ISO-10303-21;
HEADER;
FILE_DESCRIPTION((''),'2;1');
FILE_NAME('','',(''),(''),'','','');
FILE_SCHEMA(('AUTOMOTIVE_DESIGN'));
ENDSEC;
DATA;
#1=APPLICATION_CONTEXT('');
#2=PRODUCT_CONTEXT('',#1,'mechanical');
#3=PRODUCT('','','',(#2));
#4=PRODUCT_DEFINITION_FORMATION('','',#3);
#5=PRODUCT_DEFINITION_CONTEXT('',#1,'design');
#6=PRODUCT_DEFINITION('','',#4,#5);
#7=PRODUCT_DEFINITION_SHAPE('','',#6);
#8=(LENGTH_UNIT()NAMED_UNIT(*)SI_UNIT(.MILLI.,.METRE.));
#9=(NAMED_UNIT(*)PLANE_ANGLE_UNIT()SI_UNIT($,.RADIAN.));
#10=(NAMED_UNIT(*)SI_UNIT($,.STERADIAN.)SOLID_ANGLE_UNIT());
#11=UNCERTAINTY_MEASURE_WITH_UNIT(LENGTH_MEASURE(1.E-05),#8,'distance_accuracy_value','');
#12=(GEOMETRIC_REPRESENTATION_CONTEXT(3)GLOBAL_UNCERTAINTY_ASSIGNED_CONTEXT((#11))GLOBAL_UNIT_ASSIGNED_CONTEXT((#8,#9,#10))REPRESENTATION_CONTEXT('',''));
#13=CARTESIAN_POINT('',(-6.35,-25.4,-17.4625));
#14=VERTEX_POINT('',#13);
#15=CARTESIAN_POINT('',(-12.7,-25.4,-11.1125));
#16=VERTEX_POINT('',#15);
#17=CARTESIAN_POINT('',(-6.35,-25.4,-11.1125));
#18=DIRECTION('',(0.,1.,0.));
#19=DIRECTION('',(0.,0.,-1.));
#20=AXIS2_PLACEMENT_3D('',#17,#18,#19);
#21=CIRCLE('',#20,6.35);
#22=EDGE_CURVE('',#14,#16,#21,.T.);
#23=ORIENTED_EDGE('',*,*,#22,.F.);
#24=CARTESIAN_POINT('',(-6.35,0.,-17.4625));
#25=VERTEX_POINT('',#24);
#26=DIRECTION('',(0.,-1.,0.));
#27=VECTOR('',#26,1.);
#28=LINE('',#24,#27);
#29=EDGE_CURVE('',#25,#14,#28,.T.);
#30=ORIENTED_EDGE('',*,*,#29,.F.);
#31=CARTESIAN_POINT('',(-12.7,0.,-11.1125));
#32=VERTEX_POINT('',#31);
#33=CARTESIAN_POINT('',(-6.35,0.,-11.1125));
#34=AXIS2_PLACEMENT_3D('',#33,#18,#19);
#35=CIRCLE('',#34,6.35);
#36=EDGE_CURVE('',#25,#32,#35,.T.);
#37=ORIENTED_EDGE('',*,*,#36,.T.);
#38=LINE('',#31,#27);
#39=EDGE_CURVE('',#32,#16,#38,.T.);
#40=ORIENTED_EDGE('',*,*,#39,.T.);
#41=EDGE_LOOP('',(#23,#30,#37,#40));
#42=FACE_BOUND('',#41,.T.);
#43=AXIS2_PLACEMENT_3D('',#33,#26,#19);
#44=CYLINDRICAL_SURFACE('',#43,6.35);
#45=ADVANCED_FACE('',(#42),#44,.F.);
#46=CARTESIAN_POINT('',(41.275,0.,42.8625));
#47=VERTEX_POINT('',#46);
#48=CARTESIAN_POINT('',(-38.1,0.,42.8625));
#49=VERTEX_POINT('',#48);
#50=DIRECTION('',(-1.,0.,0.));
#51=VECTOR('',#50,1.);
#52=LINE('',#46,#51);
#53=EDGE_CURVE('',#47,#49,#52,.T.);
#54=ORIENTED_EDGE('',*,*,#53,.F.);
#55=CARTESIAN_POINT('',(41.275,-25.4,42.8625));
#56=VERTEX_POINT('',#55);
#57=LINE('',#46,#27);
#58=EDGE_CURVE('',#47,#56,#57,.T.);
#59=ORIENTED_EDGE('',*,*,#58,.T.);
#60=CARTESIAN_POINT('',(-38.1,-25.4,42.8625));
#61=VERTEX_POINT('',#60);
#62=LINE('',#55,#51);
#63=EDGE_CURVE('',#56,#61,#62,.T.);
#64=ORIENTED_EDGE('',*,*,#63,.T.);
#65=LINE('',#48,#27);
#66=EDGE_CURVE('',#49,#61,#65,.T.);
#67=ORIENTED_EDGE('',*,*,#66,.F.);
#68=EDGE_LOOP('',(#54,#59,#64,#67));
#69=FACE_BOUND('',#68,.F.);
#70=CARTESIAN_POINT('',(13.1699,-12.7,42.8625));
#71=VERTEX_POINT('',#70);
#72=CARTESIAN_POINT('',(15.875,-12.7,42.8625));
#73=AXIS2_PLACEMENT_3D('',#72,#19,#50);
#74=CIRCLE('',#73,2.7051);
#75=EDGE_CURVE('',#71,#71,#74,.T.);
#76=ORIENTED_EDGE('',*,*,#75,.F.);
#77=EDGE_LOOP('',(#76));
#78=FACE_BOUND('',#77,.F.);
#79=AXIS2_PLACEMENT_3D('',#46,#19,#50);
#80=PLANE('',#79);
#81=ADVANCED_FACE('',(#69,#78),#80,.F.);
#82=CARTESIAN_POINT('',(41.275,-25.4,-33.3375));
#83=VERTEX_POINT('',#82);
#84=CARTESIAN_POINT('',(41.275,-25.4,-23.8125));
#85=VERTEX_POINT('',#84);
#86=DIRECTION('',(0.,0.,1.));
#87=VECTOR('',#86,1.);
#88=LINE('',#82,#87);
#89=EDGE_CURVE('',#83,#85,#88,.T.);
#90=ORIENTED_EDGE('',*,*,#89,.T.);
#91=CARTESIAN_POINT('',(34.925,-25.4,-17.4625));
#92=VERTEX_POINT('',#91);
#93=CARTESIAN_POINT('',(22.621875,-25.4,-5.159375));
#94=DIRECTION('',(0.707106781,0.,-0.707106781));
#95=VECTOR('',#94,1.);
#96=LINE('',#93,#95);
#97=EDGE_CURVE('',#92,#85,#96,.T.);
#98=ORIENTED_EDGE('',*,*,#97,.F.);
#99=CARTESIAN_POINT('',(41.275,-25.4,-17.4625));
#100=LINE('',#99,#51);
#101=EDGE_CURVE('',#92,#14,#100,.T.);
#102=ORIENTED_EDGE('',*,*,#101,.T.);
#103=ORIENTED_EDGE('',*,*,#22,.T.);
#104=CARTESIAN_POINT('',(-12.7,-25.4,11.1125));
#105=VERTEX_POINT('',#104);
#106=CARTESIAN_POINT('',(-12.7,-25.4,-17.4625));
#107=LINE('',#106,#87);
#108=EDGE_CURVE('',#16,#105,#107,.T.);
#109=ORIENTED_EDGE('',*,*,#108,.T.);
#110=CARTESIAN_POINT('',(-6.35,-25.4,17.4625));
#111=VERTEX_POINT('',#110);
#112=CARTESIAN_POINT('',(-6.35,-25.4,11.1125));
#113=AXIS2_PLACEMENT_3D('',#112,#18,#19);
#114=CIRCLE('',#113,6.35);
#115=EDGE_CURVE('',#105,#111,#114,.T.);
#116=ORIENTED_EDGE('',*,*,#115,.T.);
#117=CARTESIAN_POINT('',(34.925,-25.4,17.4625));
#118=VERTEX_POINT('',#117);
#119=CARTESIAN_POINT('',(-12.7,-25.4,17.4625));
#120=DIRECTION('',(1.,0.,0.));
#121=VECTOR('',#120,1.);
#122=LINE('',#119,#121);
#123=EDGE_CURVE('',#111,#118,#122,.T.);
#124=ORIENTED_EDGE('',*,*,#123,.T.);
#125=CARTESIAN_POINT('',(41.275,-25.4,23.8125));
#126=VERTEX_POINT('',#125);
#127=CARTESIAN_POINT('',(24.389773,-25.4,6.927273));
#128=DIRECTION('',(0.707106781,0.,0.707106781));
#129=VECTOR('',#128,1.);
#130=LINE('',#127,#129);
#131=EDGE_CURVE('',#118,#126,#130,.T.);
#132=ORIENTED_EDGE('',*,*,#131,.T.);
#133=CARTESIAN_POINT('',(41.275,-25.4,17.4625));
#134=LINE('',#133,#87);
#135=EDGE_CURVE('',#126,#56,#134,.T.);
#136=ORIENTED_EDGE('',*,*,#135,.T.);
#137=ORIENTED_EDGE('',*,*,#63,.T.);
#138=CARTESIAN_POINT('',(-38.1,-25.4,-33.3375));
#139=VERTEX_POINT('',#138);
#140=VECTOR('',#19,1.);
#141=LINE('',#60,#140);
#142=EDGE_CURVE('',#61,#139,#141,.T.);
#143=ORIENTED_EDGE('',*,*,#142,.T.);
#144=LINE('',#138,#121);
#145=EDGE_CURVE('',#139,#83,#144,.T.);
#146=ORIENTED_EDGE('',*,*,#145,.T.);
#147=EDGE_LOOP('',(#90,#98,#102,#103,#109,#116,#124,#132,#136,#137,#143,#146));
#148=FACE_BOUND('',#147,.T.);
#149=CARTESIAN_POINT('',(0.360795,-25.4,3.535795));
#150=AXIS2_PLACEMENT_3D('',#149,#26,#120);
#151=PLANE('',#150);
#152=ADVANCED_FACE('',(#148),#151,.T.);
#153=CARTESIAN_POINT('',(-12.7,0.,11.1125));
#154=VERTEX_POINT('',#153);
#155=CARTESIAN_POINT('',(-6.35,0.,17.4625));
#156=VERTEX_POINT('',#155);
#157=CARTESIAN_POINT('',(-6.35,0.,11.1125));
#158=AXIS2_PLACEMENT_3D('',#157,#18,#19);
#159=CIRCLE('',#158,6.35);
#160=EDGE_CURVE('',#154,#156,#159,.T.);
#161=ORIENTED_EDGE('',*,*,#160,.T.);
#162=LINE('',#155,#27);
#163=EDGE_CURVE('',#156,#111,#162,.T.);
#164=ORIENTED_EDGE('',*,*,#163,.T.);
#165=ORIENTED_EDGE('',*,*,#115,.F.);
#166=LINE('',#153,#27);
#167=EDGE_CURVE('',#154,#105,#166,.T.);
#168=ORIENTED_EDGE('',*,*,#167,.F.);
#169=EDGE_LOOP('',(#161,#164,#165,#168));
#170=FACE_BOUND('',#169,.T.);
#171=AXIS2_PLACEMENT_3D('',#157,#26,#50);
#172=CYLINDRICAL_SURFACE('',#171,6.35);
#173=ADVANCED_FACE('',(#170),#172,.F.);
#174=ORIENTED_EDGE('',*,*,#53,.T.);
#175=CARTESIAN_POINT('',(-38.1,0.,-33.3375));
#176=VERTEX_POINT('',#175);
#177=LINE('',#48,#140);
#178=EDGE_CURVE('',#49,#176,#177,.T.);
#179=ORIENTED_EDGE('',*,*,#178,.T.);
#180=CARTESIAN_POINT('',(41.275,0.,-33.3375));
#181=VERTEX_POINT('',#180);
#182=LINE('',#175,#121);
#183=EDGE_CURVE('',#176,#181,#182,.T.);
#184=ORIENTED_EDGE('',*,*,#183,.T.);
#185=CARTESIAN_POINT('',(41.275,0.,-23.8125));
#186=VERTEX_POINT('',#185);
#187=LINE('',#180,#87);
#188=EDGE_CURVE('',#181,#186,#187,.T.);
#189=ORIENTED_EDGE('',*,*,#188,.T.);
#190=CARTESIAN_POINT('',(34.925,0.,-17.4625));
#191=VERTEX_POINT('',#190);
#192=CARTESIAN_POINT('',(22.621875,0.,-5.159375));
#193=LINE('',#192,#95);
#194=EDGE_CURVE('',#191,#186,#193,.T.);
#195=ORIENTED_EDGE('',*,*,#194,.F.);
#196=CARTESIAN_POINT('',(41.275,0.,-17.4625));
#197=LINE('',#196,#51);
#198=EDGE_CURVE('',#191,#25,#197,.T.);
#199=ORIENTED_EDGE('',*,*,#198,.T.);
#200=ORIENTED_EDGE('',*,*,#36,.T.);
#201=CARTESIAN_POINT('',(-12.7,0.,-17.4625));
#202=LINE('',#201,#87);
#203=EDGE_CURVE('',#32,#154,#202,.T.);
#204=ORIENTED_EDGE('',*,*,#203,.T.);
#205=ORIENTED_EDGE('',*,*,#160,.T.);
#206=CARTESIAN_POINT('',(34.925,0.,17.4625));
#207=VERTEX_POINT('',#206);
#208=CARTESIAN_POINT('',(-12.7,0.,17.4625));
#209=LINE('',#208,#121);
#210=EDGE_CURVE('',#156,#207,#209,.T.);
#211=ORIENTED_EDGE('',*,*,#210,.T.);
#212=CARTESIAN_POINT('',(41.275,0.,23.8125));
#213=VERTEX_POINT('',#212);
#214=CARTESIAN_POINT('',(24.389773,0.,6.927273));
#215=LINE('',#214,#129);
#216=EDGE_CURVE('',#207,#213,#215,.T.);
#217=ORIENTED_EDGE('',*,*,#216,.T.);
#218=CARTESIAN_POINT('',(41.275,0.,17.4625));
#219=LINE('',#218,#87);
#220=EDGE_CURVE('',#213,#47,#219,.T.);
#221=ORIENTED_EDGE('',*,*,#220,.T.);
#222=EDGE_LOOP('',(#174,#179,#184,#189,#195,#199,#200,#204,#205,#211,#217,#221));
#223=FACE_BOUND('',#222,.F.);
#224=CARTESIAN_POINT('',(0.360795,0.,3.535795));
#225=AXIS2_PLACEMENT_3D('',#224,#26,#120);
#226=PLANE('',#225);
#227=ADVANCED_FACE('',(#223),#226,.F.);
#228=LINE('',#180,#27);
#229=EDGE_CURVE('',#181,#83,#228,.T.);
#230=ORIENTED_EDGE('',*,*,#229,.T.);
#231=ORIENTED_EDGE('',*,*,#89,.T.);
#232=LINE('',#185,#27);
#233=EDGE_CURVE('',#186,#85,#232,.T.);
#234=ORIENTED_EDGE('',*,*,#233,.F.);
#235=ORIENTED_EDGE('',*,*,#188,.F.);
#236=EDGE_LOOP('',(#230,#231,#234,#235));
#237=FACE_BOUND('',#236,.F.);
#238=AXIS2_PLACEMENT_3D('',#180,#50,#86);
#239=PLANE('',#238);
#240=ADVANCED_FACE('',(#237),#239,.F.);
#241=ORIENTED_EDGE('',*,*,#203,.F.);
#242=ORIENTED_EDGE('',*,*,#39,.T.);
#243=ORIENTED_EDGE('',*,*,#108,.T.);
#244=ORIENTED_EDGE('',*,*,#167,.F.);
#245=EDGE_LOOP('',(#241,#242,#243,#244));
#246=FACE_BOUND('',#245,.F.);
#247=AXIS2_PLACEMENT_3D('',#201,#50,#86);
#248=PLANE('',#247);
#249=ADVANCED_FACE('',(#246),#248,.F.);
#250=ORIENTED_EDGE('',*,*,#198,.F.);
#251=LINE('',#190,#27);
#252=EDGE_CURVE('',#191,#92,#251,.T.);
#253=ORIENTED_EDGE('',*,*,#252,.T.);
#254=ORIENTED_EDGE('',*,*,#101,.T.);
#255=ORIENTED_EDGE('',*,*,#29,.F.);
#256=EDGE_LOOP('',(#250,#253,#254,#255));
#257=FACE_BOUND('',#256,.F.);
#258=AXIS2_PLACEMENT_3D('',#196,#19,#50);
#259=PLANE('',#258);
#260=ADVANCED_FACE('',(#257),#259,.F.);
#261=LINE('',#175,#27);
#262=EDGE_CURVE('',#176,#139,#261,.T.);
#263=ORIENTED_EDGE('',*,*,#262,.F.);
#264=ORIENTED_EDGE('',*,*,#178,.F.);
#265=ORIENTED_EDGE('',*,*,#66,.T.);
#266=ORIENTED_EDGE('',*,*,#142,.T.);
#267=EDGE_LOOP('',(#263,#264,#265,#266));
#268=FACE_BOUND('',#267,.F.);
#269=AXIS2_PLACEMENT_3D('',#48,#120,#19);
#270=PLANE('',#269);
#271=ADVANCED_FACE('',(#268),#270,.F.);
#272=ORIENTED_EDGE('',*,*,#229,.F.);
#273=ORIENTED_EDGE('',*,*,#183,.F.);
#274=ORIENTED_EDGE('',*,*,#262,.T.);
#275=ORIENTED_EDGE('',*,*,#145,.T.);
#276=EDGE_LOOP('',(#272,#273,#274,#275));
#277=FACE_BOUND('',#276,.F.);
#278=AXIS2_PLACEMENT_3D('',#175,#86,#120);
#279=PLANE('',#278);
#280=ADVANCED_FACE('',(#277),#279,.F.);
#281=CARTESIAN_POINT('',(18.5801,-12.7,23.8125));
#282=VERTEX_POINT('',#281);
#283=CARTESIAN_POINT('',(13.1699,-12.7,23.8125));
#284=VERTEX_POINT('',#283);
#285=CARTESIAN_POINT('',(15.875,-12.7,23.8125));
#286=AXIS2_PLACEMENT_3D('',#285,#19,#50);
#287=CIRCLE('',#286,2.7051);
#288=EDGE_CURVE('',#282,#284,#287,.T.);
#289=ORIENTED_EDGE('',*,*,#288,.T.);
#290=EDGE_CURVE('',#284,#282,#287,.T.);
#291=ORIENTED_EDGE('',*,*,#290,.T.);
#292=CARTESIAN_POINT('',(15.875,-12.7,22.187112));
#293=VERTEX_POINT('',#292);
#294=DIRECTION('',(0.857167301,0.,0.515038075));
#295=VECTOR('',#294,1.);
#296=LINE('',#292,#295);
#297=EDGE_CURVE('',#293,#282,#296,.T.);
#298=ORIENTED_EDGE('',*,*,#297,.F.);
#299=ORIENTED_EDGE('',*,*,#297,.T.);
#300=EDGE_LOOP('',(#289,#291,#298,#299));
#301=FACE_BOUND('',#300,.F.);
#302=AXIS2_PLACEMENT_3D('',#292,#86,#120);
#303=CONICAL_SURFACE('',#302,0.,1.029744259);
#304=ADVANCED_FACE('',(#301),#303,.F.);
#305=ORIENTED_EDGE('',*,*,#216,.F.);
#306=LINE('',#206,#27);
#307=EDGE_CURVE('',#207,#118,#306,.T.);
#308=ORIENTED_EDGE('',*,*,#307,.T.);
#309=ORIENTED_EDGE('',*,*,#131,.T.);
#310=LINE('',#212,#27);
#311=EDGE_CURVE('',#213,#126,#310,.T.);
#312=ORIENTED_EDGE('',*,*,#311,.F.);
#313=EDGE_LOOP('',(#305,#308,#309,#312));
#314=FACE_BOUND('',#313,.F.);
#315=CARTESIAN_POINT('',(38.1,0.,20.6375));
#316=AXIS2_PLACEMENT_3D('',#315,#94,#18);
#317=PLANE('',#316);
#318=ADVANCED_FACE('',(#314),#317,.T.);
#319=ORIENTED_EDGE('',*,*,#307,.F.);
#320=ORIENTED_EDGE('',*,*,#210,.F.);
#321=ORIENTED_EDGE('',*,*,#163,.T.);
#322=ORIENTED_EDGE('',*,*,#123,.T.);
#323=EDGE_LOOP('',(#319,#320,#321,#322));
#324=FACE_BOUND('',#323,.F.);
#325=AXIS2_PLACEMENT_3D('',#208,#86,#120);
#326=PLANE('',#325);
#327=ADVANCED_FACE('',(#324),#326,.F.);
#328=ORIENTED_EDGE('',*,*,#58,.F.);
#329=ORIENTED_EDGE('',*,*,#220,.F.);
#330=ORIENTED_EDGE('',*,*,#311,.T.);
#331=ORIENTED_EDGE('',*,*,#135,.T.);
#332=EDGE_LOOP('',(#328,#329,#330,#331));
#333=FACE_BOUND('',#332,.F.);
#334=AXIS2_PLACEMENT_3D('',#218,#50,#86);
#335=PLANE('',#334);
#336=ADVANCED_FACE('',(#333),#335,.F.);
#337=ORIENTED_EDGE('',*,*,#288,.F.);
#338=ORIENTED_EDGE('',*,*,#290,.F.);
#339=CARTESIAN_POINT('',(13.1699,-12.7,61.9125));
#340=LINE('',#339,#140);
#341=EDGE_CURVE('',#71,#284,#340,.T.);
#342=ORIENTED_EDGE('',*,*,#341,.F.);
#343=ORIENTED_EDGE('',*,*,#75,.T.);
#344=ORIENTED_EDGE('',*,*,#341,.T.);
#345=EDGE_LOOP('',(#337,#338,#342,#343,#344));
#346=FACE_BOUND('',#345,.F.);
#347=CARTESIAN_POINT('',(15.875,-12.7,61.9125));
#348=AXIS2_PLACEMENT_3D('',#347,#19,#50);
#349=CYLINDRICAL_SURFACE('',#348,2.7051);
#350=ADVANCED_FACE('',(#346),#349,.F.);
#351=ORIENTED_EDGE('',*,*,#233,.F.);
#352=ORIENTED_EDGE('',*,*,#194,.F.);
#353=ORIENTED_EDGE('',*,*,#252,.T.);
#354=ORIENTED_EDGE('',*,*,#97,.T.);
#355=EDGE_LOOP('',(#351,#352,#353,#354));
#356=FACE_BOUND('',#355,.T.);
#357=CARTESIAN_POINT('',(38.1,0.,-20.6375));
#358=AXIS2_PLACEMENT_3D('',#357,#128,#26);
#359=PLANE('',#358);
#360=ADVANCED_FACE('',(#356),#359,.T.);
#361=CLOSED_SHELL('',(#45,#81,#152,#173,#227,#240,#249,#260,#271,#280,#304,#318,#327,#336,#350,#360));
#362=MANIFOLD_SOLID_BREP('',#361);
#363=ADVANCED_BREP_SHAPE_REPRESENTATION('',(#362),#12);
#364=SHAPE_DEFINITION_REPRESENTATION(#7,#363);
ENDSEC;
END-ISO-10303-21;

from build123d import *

# Parameters (mm, degrees)
F1_DEPTH = 25.4
F2_R     = 6.35
F3_SIZE  = 6.35
F5_D     = 5.4102
F5_DEPTH = 19.05
F5_TIP   = 1.6253880605


with BuildPart() as f1:
    # F0 (on Front) → F1 (new body)
    with BuildSketch(Plane.XZ):
        Polygon((41.275, 42.8625), (-38.1, 42.8625), (-38.1, -33.3375), (41.275, -33.3375), (41.275, -17.4625), (-12.7, -17.4625), (-12.7, 17.4625), (41.275, 17.4625), align=None)
    extrude(amount=F1_DEPTH)

    # F2
    f2_edges = [f1.edges().sort_by_distance(p)[0] for p in [
        (-12.7, -12.7, 17.4625),
        (-12.7, -12.7, -17.4625),
    ]]
    fillet(f2_edges, radius=F2_R)

    # F3
    f3_edges = [f1.edges().sort_by_distance(p)[0] for p in [
        (41.275, -12.7, -17.4625),
        (41.275, -12.7, 17.4625),
    ]]
    chamfer(f3_edges, length=F3_SIZE)

    # F5
    with Locations(Plane.XY.offset(42.8625)):
        with Locations((15.875, -12.7)):
            Hole(F5_D / 2, depth=F5_DEPTH)
            with Locations((0, 0, -(F5_DEPTH + F5_TIP / 2))):  # 118° drill point
                Cone(0, F5_D / 2, F5_TIP, mode=Mode.SUBTRACT)


solid = f1.part
